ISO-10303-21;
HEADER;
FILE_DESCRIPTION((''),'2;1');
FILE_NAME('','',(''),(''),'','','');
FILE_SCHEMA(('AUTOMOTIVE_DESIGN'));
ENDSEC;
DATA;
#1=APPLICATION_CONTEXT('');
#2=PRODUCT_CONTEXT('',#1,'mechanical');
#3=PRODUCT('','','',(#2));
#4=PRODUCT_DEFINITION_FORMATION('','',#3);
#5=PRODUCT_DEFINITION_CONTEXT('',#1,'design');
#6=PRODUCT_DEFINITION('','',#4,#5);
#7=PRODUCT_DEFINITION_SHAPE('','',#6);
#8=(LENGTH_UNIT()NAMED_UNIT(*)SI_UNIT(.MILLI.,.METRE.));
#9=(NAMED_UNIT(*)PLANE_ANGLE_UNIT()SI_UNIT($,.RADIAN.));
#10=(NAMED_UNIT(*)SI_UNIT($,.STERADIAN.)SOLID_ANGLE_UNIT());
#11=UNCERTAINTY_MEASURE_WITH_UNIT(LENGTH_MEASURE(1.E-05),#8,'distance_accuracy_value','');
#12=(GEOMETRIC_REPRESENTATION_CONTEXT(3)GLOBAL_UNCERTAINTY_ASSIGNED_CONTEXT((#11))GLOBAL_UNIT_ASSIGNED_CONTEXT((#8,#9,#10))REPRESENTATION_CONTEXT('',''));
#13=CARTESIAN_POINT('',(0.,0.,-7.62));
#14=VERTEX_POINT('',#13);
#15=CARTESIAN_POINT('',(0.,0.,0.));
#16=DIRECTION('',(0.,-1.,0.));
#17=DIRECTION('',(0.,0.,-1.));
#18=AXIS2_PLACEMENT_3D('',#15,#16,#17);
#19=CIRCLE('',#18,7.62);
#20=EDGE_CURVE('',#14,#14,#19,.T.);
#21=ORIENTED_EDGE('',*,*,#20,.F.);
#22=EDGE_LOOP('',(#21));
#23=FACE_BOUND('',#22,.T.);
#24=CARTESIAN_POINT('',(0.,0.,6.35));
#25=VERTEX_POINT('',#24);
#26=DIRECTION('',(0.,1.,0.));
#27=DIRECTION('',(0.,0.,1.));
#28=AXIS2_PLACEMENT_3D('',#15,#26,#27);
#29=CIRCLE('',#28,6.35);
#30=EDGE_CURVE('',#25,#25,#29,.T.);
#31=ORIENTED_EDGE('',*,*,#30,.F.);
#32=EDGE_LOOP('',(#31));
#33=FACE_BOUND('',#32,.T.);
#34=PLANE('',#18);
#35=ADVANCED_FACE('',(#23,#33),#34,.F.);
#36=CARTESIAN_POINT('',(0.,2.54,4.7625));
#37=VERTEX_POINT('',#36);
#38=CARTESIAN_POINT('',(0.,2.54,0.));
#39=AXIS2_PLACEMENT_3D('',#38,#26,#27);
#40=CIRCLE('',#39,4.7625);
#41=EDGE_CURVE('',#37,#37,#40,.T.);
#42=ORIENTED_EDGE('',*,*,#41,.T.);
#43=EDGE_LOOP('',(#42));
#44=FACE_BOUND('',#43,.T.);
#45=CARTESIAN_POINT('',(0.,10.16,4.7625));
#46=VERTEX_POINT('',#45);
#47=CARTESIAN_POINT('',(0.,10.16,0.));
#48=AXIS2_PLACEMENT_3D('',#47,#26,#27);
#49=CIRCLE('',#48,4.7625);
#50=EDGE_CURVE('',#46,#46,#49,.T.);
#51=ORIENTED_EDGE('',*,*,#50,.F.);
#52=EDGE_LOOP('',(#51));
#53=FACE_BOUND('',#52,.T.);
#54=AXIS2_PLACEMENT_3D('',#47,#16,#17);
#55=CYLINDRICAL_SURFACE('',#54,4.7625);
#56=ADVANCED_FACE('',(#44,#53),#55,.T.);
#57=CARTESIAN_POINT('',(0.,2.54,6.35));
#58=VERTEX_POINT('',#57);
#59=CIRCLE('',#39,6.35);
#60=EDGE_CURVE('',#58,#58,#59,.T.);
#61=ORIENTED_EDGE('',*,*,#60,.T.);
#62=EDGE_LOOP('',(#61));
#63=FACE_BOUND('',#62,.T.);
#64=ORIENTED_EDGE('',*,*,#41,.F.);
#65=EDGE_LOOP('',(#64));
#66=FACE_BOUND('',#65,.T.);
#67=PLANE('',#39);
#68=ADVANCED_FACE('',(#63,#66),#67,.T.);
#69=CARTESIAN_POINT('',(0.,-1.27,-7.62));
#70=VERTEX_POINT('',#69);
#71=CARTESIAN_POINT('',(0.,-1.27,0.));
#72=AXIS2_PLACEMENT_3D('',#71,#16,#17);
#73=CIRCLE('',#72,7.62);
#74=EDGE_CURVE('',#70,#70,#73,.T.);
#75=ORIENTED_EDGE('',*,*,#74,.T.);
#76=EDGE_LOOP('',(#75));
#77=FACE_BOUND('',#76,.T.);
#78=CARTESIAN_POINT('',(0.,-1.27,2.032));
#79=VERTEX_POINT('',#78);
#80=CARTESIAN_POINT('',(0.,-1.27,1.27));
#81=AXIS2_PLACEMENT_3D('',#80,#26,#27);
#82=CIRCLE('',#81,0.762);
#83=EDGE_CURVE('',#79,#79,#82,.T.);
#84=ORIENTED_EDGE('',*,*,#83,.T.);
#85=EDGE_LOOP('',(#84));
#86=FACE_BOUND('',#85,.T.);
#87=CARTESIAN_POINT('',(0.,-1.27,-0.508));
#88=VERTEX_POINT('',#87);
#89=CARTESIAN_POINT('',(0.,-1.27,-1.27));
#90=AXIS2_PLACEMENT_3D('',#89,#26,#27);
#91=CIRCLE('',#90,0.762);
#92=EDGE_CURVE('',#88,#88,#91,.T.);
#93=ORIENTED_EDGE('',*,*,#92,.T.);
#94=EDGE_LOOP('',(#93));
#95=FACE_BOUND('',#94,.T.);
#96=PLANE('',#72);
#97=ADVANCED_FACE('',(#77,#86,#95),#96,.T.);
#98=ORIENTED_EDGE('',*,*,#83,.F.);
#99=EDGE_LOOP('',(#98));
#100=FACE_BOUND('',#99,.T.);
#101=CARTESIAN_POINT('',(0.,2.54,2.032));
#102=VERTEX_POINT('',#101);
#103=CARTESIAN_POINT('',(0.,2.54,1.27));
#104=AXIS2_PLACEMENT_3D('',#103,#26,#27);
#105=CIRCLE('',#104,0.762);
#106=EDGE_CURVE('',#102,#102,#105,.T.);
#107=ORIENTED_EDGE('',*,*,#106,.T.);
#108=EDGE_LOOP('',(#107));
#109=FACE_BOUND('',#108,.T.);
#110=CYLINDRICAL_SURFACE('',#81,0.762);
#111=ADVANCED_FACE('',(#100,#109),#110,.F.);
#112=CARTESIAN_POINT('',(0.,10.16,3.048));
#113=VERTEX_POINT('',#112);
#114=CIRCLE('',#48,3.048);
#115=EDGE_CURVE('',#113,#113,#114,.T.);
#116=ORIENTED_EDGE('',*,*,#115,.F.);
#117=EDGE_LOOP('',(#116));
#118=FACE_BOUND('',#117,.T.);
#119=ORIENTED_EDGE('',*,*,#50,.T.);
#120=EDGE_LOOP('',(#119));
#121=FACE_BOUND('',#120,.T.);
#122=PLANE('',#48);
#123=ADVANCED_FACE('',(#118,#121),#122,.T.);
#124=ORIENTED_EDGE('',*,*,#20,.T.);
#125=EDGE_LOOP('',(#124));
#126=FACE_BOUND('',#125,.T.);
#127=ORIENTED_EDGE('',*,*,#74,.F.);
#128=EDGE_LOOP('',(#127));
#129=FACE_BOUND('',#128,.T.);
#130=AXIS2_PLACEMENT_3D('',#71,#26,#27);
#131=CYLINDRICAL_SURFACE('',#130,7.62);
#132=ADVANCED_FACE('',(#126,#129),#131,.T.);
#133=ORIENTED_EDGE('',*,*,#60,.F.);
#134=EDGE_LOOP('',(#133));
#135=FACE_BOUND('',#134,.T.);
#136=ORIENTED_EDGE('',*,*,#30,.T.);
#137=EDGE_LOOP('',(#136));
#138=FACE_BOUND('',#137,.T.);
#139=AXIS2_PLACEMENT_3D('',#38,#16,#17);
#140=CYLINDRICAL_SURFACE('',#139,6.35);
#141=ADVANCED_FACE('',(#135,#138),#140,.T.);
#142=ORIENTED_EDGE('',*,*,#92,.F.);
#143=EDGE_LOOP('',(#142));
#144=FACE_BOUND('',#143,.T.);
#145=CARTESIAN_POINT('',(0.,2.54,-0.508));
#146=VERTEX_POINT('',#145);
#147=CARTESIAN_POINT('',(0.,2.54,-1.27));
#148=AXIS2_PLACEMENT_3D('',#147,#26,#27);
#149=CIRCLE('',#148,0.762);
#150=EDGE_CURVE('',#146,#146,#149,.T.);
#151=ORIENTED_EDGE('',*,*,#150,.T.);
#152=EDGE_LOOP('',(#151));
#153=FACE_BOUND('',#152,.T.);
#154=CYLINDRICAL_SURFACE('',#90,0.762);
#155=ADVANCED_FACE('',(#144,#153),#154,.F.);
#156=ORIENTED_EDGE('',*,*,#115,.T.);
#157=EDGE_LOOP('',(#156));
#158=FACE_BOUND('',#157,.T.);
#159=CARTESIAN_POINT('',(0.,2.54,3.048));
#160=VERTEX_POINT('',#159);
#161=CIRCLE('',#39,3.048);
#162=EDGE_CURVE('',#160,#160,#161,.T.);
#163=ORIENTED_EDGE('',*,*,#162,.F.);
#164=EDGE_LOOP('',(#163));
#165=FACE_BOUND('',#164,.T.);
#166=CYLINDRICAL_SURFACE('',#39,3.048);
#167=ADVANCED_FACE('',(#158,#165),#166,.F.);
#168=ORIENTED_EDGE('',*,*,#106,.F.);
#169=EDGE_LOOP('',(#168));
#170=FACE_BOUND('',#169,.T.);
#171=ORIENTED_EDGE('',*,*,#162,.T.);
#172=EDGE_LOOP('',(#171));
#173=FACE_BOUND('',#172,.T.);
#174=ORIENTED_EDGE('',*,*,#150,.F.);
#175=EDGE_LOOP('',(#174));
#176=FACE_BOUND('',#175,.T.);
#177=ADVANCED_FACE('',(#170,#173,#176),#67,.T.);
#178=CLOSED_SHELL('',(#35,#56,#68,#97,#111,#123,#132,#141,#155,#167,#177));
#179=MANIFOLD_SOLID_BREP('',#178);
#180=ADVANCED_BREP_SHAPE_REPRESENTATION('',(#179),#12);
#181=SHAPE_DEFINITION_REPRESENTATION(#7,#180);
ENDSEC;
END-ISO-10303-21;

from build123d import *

# Parameters (mm, degrees)
SKETCH1_R               = 6.35
BOSS_EXTRUDE1_DEPTH     = 2.54
SKETCH2_R               = 4.7625
BOSS_EXTRUDE2_DEPTH     = 7.62
SKETCH3_R               = 3.048
CUT_EXTRUDE1_DEPTH      = 7.62
SKETCH6_R               = 7.62
BOSS_EXTRUDE3_DEPTH     = 1.27
SKETCH4_R               = 0.762
CUT_EXTRUDE2_DEPTH      = 8.62
CUT_EXTRUDE2_DEPTH_BACK = 4.81
SKETCH5_R               = 0.762
CUT_EXTRUDE3_DEPTH      = 4.81


with BuildPart() as part:
    # Sketch1 → Boss-Extrude1 (new body)
    with BuildSketch(Plane(origin=(0, 0, 0), x_dir=(1, 0, 0), z_dir=(0, 1, 0))):
        Circle(SKETCH1_R)
    extrude(amount=BOSS_EXTRUDE1_DEPTH)

    # Sketch2 → Boss-Extrude2 (add)
    with BuildSketch(Plane(origin=(0, 2.54, 0), x_dir=(1, 0, 0), z_dir=(0, 1, 0))):
        Circle(SKETCH2_R)
    extrude(amount=BOSS_EXTRUDE2_DEPTH)

    # Sketch3 → Cut-Extrude1 (cut)
    with BuildSketch(Plane(origin=(0, 10.16, 0), x_dir=(1, 0, 0), z_dir=(0, 1, 0))):
        Circle(SKETCH3_R)
    extrude(amount=-CUT_EXTRUDE1_DEPTH, mode=Mode.SUBTRACT)

    # Sketch6 → Boss-Extrude3 (add)
    with BuildSketch(Plane.XZ):
        Circle(SKETCH6_R)
    extrude(amount=BOSS_EXTRUDE3_DEPTH)

    # Sketch4 → Cut-Extrude2 (cut, two sides)
    with BuildSketch(Plane(origin=(0, 2.54, 0), x_dir=(1, 0, 0), z_dir=(0, 1, 0))) as cut_extrude2_sk:
        with Locations((0, -1.27)):
            Circle(SKETCH4_R)
    extrude(amount=CUT_EXTRUDE2_DEPTH, mode=Mode.SUBTRACT)
    extrude(cut_extrude2_sk.sketch, amount=-CUT_EXTRUDE2_DEPTH_BACK, mode=Mode.SUBTRACT)

    # Sketch5 → Cut-Extrude3 (cut, through all)
    with BuildSketch(Plane(origin=(0, 2.54, 0), x_dir=(1, 0, 0), z_dir=(0, 1, 0))):
        with Locations((0, 1.27)):
            Circle(SKETCH5_R)
    extrude(amount=-CUT_EXTRUDE3_DEPTH, mode=Mode.SUBTRACT)


solid = part.part
